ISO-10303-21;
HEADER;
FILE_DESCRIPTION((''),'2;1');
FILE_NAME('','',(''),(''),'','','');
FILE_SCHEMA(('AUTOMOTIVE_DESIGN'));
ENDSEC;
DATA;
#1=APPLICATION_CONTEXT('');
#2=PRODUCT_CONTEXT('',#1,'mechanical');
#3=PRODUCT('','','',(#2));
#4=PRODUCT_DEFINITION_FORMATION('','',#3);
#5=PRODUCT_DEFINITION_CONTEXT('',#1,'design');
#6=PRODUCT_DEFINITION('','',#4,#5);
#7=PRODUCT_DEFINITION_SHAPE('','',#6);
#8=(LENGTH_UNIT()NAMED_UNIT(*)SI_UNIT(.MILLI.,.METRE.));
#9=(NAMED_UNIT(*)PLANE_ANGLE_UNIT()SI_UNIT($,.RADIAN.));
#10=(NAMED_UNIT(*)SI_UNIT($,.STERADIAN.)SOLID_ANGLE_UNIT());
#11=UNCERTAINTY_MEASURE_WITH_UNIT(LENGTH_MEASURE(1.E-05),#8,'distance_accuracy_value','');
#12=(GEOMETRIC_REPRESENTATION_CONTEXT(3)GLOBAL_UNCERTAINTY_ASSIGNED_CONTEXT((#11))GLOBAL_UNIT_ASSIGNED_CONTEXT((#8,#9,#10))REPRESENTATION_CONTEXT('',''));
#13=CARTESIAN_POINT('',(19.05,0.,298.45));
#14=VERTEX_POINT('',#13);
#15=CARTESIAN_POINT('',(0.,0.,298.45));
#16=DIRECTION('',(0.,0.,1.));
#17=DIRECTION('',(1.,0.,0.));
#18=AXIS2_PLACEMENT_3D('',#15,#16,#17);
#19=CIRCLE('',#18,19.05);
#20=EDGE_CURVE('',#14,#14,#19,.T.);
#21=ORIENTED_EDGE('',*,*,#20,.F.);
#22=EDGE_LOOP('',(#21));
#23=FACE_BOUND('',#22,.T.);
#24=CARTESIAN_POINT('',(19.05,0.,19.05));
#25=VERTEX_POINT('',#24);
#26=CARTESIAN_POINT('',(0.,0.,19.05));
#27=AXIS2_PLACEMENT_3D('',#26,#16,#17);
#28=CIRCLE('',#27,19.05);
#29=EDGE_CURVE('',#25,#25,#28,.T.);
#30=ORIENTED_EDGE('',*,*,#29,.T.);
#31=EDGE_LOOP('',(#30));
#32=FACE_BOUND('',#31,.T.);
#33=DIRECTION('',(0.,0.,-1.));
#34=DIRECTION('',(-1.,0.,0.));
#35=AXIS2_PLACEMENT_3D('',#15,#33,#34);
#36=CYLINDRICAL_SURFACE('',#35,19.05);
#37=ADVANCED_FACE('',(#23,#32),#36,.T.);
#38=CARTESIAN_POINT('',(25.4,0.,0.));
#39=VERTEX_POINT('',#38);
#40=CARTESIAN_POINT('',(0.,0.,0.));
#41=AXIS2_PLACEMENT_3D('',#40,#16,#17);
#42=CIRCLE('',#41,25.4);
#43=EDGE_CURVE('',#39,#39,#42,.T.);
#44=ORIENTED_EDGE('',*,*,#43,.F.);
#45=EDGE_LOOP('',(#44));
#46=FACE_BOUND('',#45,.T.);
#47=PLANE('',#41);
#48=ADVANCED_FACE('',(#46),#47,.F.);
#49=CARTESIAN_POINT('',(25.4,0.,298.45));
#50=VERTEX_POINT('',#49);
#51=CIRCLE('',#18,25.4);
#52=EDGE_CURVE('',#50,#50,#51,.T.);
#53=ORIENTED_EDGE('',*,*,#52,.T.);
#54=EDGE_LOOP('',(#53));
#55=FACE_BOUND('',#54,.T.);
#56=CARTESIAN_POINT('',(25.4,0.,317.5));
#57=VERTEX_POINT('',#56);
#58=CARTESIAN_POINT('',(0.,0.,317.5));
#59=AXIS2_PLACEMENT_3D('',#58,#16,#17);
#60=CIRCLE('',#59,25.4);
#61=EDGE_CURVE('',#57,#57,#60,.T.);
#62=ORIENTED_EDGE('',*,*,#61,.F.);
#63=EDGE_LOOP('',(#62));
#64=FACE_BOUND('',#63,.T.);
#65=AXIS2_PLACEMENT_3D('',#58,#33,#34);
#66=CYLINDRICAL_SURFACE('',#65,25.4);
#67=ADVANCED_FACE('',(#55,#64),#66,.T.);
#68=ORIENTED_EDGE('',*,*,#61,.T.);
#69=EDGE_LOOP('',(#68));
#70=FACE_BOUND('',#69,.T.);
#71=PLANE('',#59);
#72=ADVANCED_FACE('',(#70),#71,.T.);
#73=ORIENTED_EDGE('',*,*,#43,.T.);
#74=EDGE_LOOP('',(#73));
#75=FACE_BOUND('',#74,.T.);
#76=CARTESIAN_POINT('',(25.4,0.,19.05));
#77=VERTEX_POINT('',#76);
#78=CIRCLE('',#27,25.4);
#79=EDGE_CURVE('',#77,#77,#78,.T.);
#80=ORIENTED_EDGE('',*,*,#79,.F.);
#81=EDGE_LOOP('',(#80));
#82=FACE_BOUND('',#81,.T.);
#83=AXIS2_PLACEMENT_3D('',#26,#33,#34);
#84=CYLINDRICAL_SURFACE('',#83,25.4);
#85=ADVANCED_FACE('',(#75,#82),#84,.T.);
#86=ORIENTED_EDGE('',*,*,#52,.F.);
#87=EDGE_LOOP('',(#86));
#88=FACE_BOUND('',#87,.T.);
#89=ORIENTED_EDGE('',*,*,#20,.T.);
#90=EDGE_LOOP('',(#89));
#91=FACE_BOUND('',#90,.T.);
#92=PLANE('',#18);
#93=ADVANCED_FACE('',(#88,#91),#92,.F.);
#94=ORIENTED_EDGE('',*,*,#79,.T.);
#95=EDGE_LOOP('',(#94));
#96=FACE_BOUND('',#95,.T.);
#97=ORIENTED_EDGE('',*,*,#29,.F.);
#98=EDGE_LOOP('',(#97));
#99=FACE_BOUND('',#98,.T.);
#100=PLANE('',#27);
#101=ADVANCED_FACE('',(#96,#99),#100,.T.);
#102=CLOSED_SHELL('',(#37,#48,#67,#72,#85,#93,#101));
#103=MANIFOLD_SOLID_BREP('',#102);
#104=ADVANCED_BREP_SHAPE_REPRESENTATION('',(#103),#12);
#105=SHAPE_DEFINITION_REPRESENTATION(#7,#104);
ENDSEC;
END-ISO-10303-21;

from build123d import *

# Parameters (mm, degrees)
SKETCH1_R           = 25.4
BOSS_EXTRUDE1_DEPTH = 19.05
SKETCH2_R           = 19.05
BOSS_EXTRUDE2_DEPTH = 279.4
SKETCH3_R           = 25.4
BOSS_EXTRUDE3_DEPTH = 19.05


with BuildPart() as part:
    # Sketch1 → Boss-Extrude1 (new body)
    with BuildSketch(Plane.XY):
        Circle(SKETCH1_R)
    extrude(amount=BOSS_EXTRUDE1_DEPTH)

    # Sketch2 → Boss-Extrude2 (add)
    with BuildSketch(Plane.XY.offset(19.05)):
        Circle(SKETCH2_R)
    extrude(amount=BOSS_EXTRUDE2_DEPTH)

    # Sketch3 → Boss-Extrude3 (add)
    with BuildSketch(Plane.XY.offset(298.45)):
        Circle(SKETCH3_R)
    extrude(amount=BOSS_EXTRUDE3_DEPTH)


solid = part.part
